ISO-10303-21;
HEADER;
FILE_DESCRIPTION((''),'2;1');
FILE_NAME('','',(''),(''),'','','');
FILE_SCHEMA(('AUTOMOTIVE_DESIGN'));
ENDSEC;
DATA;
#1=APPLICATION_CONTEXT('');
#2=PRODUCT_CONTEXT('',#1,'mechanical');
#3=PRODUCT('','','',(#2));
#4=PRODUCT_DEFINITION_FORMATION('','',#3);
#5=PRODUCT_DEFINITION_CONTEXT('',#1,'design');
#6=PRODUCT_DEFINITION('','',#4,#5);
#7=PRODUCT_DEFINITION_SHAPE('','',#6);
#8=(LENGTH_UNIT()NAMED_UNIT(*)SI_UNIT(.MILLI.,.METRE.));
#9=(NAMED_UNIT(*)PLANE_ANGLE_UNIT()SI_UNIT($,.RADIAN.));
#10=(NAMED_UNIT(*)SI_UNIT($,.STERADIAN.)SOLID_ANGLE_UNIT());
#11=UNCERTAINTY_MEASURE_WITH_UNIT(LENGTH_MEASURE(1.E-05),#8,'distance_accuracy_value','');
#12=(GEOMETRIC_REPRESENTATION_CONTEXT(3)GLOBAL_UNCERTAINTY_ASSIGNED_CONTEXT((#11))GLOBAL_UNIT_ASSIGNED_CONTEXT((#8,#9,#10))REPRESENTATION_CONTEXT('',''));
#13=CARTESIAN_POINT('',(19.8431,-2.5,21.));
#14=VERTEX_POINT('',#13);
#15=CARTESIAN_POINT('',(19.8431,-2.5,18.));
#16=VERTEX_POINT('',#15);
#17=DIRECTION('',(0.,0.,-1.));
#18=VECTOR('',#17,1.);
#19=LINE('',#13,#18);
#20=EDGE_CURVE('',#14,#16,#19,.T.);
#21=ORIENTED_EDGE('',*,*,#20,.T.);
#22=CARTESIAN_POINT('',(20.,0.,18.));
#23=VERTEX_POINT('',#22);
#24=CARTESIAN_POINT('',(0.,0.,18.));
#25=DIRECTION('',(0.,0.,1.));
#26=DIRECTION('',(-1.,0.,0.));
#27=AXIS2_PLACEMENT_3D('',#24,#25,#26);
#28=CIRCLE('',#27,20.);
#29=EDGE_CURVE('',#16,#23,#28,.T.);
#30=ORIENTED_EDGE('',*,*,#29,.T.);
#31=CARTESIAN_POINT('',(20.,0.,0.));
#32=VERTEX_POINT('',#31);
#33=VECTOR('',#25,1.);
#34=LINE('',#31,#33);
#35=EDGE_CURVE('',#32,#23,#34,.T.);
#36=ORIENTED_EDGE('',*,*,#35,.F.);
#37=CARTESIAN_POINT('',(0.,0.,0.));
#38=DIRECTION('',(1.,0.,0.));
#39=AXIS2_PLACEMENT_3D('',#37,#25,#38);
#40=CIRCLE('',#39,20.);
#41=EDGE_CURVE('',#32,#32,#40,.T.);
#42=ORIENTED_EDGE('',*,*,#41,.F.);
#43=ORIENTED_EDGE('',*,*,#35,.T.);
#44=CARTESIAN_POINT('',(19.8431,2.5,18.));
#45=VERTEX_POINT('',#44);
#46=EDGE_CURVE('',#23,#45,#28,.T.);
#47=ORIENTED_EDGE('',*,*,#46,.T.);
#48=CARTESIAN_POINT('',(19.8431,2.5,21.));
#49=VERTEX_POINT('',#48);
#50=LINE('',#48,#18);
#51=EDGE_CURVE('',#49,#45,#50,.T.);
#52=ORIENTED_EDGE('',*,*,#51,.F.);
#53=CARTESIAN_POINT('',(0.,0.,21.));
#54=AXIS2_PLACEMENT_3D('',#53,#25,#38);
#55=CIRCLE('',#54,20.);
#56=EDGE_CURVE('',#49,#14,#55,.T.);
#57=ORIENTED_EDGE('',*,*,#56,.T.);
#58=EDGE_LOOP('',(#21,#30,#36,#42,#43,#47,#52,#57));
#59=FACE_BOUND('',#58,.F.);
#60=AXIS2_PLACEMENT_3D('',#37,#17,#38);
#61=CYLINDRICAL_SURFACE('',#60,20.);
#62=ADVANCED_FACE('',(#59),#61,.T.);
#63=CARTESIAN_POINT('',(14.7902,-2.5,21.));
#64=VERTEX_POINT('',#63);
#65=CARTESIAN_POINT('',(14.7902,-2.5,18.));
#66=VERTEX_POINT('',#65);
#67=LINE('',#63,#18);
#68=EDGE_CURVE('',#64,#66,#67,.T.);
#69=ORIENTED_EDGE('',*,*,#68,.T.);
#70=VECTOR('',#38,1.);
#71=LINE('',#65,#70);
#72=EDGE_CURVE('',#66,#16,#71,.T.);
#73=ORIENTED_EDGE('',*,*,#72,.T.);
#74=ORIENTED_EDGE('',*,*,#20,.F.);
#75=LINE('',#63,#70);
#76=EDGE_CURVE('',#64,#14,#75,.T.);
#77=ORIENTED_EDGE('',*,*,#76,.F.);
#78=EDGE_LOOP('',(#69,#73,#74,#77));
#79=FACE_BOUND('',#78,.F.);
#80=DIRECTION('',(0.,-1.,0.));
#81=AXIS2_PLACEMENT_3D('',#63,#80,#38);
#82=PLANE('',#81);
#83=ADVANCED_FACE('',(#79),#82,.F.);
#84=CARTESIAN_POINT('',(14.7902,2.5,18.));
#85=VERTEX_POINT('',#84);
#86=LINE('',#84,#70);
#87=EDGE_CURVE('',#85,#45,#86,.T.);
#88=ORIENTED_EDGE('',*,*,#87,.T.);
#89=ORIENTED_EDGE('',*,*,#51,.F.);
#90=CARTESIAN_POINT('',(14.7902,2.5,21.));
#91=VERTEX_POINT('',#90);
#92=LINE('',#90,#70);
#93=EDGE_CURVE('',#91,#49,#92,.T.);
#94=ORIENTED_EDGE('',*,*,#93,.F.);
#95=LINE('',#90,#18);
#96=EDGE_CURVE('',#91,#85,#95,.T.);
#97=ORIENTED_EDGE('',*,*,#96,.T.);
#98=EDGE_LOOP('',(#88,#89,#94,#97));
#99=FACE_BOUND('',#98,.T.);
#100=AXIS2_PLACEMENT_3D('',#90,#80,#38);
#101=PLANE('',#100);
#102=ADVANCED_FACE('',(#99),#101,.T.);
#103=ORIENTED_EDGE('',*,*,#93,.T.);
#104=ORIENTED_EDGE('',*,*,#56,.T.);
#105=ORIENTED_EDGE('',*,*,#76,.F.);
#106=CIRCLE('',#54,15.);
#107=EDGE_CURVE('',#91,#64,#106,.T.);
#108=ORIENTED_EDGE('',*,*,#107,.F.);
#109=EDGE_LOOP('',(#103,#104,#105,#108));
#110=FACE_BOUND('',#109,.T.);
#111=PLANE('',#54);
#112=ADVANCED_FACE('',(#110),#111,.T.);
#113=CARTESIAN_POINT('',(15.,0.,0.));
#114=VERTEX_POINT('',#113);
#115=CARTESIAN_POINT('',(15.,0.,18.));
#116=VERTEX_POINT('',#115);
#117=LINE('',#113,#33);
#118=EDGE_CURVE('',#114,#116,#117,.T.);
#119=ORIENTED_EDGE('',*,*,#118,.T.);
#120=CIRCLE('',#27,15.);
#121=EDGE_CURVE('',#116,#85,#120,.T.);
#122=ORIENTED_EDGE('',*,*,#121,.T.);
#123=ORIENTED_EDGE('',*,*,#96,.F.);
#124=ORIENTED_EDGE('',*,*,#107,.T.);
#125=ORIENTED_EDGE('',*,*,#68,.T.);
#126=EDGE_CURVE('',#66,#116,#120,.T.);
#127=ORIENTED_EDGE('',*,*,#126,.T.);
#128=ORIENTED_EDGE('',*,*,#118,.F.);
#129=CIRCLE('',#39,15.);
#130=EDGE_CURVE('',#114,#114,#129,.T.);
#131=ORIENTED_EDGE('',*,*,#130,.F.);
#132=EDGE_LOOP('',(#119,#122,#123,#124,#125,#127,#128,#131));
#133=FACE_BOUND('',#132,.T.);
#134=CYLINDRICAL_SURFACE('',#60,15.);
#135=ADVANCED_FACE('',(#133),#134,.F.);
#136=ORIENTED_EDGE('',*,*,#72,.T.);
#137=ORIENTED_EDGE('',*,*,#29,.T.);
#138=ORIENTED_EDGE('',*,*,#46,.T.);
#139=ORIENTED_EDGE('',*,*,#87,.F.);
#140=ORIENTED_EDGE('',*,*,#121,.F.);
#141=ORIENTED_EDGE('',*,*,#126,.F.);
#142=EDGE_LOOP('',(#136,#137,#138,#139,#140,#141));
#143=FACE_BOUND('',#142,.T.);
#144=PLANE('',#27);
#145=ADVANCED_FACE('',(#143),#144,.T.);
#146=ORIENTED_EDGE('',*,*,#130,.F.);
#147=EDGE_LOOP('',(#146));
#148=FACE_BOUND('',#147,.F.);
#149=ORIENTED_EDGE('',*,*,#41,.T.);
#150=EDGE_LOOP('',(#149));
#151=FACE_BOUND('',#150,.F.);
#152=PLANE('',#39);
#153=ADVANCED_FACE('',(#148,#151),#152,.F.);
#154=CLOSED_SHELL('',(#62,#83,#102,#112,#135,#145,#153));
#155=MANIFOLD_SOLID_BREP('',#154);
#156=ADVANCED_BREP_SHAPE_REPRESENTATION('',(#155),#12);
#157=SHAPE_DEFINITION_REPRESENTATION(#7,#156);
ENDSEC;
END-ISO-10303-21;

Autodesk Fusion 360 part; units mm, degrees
sketch "Sketch1" plane through (0, 0, 0) normal (0, 0, 1) x (1, 0, 0)
  circle A0 centre (0, 0) radius 15
  circle A1 centre (0, 0) radius 20
  dimension "d1" = 30
  dimension "d2" = 5
extrude "Extrude1" add sketch "Sketch1" along normal blind 21
sketch "Sketch2" plane through (0, 0, 21) normal (0, 0, 1) x (-1, 0, 0)
  circle A0 centre (0, 0) radius 15
  circle A1 centre (0, 0) radius 20
  line L0 (-14.7902, -2.5) -> (-19.8431, -2.5)
  line L1 (-14.7902, 2.5) -> (-19.8431, 2.5)
  line L2 (-14.7902, -2.5) -> (-14.7902, 2.5) construction
  point P0 (-14.7902, 0)
  dimension "d5" = 5
extrude "Extrude2" cut sketch "Sketch2" against normal blind 3 contours A0 A1 L0 L1 picked at (-16.5367, -1.9456)
